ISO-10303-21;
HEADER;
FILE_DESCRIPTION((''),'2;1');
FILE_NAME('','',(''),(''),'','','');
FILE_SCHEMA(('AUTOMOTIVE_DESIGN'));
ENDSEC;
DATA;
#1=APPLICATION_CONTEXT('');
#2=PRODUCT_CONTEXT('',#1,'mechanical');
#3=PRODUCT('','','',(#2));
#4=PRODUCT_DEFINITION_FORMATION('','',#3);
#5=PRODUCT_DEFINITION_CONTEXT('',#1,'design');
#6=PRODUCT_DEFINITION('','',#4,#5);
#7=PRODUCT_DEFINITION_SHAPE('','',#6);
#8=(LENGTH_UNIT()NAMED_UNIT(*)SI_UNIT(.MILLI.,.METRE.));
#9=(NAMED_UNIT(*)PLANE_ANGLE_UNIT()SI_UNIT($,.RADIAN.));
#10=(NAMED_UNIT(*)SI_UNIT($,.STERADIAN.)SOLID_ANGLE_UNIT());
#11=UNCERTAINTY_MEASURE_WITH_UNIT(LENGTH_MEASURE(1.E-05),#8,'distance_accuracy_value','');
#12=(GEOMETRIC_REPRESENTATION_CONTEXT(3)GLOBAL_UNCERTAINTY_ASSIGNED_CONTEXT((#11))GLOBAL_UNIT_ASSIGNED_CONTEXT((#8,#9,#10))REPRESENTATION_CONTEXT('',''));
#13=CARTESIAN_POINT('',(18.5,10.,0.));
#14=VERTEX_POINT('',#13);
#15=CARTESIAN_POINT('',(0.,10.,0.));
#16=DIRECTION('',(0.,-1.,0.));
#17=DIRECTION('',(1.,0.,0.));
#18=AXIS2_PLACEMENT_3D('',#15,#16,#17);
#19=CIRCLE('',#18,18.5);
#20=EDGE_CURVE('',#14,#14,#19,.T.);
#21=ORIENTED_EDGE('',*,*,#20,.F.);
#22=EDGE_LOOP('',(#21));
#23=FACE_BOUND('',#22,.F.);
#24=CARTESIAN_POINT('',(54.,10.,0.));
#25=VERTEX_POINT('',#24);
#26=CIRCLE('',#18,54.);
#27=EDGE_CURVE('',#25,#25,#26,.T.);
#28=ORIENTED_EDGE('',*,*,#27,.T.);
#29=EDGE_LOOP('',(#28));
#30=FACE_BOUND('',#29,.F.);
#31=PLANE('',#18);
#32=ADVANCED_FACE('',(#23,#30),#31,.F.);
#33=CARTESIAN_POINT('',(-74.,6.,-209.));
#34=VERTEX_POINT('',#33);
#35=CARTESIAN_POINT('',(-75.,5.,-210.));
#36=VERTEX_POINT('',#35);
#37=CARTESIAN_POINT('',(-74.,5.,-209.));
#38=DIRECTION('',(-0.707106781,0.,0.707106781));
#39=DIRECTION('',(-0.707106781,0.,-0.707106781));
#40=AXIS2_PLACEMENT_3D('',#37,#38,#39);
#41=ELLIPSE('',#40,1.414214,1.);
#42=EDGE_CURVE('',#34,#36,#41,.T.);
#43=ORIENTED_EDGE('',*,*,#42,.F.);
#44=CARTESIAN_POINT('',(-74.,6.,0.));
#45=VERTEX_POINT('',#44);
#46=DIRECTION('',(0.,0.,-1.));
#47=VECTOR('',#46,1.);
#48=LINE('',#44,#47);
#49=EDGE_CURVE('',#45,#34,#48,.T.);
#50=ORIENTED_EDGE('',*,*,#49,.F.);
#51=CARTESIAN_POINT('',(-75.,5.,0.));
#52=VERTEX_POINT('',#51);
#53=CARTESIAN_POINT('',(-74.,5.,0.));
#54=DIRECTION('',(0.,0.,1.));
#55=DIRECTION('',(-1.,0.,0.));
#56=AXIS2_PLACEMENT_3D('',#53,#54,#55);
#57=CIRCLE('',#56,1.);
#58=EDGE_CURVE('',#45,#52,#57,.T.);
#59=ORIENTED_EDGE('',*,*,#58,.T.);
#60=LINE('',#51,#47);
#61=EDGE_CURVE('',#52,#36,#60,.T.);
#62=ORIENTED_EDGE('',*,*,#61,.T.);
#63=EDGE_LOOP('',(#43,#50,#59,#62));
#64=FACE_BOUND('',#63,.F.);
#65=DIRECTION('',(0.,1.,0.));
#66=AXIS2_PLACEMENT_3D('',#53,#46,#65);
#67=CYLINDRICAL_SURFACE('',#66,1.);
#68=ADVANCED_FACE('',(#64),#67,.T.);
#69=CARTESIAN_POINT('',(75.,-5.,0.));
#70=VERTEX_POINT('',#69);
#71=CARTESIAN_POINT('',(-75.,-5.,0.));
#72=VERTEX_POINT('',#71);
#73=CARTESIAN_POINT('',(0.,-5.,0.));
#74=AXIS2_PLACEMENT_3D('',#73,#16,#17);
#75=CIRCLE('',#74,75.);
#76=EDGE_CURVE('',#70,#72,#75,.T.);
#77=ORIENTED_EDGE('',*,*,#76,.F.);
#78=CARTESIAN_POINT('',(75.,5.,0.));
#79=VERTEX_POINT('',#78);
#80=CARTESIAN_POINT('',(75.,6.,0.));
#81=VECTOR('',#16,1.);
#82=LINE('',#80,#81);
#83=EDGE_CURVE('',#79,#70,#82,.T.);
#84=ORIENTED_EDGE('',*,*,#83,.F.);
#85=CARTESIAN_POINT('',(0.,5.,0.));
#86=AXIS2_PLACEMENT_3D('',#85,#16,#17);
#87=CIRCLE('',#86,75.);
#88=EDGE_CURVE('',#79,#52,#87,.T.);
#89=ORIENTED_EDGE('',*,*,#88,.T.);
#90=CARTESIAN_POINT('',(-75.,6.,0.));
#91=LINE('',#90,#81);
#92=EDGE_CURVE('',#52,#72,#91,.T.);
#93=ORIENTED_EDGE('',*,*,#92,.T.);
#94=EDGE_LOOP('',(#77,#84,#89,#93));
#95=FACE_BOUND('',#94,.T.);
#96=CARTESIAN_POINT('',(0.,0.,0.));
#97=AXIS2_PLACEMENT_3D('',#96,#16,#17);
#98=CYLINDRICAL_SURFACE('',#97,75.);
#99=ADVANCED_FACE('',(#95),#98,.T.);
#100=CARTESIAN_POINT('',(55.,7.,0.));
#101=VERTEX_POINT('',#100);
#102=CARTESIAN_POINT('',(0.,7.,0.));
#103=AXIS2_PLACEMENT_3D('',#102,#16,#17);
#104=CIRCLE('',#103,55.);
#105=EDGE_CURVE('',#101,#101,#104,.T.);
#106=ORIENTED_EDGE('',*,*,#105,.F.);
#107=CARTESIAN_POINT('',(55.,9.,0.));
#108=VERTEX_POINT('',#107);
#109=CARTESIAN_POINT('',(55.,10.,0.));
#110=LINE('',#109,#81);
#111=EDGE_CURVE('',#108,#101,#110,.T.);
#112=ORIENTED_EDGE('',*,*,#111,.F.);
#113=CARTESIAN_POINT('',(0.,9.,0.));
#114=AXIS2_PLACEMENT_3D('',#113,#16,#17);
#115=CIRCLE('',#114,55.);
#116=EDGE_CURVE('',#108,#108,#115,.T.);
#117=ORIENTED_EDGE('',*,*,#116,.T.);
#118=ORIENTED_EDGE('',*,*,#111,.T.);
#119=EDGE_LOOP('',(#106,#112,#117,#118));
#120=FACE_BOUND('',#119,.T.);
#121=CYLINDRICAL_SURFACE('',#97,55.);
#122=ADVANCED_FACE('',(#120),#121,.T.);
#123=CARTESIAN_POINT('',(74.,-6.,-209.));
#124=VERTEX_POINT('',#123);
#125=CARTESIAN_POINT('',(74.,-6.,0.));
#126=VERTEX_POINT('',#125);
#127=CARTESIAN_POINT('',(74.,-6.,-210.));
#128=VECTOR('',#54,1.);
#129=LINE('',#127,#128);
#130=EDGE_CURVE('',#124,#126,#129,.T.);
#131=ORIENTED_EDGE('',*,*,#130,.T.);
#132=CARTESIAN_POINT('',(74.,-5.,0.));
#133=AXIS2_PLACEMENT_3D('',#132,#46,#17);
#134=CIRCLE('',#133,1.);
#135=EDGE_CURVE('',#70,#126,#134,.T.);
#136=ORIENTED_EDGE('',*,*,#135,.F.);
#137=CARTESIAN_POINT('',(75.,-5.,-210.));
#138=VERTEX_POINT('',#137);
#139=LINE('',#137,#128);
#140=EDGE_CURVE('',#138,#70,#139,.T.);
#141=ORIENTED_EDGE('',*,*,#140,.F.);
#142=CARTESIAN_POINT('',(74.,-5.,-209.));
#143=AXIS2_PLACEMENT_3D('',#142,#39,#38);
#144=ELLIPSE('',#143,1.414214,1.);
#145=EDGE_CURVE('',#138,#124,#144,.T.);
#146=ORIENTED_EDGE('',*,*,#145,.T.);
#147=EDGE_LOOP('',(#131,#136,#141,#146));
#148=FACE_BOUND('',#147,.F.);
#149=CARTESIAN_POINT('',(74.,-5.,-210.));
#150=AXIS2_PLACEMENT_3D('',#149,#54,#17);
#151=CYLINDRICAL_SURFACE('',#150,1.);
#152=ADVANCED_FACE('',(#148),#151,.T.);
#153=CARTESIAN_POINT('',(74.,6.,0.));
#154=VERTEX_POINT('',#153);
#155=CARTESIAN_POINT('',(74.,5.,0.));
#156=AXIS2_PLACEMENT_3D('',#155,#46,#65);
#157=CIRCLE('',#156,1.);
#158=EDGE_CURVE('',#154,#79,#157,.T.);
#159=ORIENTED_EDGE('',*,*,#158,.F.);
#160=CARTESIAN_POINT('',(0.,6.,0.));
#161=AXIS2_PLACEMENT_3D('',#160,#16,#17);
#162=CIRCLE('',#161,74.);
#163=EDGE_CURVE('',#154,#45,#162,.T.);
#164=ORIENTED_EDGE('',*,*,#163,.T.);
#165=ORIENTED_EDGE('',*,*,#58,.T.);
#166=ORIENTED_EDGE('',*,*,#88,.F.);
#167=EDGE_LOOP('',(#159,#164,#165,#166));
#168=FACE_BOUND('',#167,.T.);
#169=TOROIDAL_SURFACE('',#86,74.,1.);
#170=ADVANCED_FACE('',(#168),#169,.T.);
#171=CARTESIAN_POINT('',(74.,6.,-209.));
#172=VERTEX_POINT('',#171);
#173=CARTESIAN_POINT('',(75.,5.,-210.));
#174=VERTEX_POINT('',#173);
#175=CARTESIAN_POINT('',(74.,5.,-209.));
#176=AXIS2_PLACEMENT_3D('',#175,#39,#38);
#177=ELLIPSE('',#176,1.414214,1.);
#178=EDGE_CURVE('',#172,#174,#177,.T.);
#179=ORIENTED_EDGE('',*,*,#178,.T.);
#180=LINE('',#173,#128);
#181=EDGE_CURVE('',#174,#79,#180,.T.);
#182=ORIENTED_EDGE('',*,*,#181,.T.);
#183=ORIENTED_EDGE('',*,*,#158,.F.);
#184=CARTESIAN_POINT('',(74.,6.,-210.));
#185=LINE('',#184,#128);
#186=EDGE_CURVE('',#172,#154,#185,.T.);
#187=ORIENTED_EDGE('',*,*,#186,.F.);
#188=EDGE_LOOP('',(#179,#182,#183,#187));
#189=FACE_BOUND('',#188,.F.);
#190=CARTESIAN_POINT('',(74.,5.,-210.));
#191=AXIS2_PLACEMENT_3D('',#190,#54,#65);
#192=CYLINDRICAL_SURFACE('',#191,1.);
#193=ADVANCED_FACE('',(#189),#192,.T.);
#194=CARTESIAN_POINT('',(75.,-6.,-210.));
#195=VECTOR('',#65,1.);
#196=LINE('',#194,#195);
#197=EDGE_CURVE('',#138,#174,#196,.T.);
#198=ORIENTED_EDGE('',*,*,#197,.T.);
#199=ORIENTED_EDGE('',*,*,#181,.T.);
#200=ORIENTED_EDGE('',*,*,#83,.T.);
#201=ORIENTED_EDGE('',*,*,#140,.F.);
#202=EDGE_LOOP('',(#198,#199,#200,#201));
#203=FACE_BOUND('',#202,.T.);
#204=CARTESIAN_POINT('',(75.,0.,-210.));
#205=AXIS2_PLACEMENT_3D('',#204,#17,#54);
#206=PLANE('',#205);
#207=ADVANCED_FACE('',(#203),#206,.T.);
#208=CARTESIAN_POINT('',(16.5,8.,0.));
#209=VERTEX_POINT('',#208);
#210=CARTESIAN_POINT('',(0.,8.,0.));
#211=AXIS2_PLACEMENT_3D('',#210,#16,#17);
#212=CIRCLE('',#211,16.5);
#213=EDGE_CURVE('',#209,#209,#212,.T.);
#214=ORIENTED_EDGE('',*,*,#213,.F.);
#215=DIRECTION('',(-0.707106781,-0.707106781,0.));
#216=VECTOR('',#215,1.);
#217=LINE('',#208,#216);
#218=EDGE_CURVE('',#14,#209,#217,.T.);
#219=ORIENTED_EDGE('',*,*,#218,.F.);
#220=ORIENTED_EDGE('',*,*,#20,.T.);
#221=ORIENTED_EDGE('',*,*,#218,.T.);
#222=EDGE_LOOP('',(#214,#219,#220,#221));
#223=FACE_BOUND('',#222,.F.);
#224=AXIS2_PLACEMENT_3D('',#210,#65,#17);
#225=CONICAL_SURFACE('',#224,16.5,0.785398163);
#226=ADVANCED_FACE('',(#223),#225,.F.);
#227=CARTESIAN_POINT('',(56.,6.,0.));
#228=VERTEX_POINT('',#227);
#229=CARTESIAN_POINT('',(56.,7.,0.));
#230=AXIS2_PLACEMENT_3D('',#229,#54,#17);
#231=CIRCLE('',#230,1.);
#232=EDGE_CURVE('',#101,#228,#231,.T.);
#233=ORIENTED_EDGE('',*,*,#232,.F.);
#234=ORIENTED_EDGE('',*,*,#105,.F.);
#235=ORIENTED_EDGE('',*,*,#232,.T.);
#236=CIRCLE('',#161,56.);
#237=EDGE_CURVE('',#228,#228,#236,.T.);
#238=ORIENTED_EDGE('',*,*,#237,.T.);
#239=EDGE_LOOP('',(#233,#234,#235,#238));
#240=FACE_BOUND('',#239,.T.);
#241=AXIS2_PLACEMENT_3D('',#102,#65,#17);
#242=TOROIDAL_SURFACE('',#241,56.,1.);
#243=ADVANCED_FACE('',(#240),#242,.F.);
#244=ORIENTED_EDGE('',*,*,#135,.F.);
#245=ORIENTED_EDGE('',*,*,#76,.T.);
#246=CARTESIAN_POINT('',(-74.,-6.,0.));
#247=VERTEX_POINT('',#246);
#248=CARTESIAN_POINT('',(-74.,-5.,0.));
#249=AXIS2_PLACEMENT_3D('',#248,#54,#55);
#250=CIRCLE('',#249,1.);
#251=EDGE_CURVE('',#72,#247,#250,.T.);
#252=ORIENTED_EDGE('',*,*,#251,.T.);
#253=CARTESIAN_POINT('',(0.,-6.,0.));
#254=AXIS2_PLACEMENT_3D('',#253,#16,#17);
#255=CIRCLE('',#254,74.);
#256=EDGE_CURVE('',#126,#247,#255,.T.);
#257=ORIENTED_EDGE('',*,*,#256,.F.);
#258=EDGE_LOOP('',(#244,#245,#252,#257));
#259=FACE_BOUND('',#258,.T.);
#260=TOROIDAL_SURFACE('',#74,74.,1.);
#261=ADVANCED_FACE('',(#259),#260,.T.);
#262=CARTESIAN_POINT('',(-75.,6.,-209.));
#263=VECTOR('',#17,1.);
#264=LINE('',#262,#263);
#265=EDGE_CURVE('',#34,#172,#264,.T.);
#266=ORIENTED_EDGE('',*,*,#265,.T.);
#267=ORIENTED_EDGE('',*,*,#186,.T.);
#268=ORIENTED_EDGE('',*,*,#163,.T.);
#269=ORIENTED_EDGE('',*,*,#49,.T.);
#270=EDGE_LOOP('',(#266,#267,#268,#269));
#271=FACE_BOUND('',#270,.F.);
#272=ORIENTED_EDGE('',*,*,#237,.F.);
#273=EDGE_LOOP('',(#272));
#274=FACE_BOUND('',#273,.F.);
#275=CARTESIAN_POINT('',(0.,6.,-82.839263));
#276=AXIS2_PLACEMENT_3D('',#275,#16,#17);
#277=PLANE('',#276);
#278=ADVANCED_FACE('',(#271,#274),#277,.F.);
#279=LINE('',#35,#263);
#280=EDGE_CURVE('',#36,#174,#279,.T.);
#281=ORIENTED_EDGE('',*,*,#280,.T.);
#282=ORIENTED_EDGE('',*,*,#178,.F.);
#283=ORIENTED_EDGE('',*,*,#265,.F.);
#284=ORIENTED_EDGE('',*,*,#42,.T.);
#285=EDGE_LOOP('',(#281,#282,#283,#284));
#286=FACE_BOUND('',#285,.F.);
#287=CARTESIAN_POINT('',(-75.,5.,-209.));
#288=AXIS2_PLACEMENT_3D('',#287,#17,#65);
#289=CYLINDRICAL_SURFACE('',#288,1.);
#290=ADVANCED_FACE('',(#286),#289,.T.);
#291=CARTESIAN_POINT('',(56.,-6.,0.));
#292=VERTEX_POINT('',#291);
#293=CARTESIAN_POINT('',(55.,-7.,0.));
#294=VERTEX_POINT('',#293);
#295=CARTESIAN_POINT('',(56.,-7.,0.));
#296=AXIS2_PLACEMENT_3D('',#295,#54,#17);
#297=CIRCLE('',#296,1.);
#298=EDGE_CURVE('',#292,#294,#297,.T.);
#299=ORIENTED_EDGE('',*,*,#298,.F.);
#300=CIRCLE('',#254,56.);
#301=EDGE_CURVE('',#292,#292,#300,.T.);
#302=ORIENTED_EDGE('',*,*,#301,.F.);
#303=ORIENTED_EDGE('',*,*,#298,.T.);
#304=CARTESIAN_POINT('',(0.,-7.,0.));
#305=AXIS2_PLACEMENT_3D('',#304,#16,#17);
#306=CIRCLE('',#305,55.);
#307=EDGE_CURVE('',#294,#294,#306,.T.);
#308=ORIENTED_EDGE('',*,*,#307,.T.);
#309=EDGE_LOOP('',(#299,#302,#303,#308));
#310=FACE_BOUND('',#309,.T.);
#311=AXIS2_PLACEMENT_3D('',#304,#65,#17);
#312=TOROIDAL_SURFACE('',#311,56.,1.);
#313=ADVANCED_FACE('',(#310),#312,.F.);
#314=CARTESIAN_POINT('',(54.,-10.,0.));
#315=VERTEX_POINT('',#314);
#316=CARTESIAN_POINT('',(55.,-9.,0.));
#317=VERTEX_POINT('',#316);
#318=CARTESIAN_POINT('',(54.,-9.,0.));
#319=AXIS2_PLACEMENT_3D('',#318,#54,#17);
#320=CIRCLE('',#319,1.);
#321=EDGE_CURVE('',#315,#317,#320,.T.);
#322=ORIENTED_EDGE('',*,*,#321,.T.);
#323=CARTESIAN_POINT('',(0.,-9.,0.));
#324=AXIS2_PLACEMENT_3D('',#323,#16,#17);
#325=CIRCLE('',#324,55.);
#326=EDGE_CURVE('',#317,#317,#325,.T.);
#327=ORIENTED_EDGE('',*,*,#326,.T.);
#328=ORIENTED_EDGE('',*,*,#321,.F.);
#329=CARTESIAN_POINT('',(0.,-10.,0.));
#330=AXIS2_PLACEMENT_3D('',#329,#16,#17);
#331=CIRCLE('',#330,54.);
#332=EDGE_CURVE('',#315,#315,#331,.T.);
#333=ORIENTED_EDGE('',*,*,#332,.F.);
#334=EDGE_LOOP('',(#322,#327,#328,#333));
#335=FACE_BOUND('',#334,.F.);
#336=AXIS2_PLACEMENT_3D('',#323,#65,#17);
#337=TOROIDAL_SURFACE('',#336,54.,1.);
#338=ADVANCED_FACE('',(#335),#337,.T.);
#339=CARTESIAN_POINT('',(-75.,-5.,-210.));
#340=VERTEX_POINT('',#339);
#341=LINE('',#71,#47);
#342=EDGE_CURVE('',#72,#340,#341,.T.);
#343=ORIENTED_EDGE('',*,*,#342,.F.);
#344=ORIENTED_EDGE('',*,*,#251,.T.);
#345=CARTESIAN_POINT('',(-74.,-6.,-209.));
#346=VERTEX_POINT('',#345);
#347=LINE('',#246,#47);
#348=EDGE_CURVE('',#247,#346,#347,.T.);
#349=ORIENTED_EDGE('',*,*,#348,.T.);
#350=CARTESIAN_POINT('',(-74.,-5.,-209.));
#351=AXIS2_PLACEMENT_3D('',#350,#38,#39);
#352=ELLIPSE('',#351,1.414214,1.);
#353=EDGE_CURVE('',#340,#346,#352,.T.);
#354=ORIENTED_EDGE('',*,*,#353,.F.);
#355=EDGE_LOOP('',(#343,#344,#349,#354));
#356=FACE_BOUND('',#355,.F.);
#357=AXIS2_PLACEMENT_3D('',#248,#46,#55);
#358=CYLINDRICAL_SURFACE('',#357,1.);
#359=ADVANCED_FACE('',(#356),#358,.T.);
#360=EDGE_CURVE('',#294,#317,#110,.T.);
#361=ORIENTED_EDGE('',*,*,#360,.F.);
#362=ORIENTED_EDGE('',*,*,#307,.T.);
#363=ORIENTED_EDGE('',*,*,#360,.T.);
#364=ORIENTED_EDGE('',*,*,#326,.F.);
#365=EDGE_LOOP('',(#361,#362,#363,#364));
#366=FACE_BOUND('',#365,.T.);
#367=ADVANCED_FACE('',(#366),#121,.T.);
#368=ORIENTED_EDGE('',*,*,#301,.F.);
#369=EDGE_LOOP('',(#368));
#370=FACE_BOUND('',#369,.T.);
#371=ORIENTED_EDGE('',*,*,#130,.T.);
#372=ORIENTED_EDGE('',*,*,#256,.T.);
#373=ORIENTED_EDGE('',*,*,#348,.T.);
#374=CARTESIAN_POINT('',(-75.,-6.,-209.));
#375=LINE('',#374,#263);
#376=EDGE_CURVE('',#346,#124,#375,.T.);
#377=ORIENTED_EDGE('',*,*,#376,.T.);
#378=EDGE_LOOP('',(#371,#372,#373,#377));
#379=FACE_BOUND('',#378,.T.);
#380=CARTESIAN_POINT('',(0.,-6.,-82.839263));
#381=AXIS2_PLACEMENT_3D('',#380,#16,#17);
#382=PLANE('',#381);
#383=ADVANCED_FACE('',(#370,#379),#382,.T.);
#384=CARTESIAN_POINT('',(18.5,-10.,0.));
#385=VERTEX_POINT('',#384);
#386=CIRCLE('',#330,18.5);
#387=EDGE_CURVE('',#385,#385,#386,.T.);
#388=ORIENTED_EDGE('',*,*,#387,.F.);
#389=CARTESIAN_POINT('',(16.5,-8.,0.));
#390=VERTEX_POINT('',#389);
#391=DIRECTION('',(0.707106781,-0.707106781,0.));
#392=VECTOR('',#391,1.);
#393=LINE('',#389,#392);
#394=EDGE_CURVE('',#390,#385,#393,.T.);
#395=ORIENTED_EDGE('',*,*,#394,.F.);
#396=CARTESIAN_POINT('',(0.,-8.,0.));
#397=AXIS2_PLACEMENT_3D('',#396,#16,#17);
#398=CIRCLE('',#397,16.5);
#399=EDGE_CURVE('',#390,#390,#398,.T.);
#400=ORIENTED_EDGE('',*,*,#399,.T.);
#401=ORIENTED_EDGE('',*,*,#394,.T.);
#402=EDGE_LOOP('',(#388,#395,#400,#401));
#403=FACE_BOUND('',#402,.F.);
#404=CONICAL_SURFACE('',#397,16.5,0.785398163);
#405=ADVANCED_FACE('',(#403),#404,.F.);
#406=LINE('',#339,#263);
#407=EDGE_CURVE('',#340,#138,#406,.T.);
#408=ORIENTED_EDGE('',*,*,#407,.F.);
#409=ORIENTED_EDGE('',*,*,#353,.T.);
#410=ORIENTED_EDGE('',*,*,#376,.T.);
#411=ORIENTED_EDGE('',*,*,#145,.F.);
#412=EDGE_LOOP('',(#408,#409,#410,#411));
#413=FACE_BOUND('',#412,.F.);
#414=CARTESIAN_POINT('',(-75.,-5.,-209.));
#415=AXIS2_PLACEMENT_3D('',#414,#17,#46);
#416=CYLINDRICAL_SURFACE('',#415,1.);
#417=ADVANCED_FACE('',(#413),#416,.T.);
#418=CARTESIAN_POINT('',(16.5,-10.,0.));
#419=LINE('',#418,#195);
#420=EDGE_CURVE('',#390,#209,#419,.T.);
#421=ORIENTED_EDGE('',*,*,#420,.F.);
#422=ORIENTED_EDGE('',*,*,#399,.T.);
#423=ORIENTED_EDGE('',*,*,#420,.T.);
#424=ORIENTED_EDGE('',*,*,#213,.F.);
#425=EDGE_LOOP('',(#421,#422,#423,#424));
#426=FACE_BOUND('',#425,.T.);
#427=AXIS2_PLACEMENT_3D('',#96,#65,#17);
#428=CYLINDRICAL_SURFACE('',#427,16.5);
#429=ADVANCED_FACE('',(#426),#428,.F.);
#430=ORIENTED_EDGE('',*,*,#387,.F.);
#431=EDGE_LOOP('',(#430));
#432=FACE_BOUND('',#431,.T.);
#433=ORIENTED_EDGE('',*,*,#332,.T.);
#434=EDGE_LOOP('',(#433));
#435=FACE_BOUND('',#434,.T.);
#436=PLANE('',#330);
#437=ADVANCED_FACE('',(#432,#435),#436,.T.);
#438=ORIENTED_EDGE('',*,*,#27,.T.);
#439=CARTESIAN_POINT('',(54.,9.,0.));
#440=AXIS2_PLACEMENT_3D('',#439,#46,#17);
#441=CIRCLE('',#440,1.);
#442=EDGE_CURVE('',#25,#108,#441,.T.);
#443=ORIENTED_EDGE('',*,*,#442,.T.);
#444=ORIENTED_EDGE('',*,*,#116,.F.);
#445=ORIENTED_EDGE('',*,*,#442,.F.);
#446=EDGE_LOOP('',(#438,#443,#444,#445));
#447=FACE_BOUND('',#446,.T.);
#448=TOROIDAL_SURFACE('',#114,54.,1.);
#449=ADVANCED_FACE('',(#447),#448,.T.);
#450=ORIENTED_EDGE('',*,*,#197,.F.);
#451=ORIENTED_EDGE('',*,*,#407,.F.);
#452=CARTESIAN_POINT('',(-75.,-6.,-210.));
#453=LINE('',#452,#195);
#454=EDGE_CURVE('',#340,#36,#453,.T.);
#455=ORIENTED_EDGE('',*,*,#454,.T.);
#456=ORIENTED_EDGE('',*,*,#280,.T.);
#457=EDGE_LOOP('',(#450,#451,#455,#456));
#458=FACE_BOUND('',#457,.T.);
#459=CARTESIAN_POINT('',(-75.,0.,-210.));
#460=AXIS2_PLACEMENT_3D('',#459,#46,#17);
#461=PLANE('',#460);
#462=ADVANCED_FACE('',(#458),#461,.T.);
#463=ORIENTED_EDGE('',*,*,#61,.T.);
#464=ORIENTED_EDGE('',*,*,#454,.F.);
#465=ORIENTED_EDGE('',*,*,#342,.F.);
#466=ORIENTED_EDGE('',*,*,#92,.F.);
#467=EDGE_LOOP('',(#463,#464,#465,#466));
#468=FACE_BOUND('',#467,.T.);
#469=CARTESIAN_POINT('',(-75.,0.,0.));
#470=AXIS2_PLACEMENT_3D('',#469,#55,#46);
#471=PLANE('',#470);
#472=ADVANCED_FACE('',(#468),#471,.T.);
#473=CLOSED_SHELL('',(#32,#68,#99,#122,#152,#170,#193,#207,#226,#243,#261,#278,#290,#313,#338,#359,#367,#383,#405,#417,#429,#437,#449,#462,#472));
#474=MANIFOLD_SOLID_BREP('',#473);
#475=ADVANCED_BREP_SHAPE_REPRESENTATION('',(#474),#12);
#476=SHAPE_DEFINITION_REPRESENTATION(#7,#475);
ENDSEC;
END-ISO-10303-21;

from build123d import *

# Parameters (mm, degrees)
F0_R     = 55
F1_DEPTH = 6
F0_R_2   = 16.5
F2_DEPTH = 10
F3_SIZE  = 2
F4_R     = 1
F5_R     = 1


with BuildPart() as f1:
    # F0 (on Front) → F1 (new body, symmetric)
    with BuildSketch(Plane.XZ):
        with BuildLine():
            Line((75, -210), (75, 0))
            ThreePointArc((75, 0), (0, 75), (-75, 0))
            Line((-75, 0), (-75, -210))
            Line((-75, -210), (75, -210))
        make_face()
        Circle(F0_R, mode=Mode.SUBTRACT)
    extrude(amount=F1_DEPTH, both=True)

    # F0 (on Front) → F2 (join, symmetric)
    with BuildSketch(Plane.XZ):
        Circle(F0_R)
        Circle(F0_R_2, mode=Mode.SUBTRACT)
    extrude(amount=F2_DEPTH, both=True)

    # F3
    f3_edges = [f1.edges().sort_by_distance(p)[0] for p in [
        (-16.5, -10, 0),
        (-16.5, 10, 0),
    ]]
    chamfer(f3_edges, length=F3_SIZE)

    # F4
    f4_edges = [f1.edges().sort_by_distance(p)[0] for p in [
        (-55, 10, 0),
        (-75, 6, -105),
        (0, 6, -210),
        (75, 6, -105),
        (0, 6, 75),
        (-55, 6, 0),
        (-75, -6, -105),
        (0, -6, -210),
        (75, -6, -105),
        (0, -6, 75),
        (-55, -6, 0),
    ]]
    fillet(f4_edges, radius=F4_R)

    # F5
    f5_edges = [f1.edges().sort_by_distance(p)[0] for p in [
        (-55, -10, 0),
    ]]
    fillet(f5_edges, radius=F5_R)


solid = f1.part
